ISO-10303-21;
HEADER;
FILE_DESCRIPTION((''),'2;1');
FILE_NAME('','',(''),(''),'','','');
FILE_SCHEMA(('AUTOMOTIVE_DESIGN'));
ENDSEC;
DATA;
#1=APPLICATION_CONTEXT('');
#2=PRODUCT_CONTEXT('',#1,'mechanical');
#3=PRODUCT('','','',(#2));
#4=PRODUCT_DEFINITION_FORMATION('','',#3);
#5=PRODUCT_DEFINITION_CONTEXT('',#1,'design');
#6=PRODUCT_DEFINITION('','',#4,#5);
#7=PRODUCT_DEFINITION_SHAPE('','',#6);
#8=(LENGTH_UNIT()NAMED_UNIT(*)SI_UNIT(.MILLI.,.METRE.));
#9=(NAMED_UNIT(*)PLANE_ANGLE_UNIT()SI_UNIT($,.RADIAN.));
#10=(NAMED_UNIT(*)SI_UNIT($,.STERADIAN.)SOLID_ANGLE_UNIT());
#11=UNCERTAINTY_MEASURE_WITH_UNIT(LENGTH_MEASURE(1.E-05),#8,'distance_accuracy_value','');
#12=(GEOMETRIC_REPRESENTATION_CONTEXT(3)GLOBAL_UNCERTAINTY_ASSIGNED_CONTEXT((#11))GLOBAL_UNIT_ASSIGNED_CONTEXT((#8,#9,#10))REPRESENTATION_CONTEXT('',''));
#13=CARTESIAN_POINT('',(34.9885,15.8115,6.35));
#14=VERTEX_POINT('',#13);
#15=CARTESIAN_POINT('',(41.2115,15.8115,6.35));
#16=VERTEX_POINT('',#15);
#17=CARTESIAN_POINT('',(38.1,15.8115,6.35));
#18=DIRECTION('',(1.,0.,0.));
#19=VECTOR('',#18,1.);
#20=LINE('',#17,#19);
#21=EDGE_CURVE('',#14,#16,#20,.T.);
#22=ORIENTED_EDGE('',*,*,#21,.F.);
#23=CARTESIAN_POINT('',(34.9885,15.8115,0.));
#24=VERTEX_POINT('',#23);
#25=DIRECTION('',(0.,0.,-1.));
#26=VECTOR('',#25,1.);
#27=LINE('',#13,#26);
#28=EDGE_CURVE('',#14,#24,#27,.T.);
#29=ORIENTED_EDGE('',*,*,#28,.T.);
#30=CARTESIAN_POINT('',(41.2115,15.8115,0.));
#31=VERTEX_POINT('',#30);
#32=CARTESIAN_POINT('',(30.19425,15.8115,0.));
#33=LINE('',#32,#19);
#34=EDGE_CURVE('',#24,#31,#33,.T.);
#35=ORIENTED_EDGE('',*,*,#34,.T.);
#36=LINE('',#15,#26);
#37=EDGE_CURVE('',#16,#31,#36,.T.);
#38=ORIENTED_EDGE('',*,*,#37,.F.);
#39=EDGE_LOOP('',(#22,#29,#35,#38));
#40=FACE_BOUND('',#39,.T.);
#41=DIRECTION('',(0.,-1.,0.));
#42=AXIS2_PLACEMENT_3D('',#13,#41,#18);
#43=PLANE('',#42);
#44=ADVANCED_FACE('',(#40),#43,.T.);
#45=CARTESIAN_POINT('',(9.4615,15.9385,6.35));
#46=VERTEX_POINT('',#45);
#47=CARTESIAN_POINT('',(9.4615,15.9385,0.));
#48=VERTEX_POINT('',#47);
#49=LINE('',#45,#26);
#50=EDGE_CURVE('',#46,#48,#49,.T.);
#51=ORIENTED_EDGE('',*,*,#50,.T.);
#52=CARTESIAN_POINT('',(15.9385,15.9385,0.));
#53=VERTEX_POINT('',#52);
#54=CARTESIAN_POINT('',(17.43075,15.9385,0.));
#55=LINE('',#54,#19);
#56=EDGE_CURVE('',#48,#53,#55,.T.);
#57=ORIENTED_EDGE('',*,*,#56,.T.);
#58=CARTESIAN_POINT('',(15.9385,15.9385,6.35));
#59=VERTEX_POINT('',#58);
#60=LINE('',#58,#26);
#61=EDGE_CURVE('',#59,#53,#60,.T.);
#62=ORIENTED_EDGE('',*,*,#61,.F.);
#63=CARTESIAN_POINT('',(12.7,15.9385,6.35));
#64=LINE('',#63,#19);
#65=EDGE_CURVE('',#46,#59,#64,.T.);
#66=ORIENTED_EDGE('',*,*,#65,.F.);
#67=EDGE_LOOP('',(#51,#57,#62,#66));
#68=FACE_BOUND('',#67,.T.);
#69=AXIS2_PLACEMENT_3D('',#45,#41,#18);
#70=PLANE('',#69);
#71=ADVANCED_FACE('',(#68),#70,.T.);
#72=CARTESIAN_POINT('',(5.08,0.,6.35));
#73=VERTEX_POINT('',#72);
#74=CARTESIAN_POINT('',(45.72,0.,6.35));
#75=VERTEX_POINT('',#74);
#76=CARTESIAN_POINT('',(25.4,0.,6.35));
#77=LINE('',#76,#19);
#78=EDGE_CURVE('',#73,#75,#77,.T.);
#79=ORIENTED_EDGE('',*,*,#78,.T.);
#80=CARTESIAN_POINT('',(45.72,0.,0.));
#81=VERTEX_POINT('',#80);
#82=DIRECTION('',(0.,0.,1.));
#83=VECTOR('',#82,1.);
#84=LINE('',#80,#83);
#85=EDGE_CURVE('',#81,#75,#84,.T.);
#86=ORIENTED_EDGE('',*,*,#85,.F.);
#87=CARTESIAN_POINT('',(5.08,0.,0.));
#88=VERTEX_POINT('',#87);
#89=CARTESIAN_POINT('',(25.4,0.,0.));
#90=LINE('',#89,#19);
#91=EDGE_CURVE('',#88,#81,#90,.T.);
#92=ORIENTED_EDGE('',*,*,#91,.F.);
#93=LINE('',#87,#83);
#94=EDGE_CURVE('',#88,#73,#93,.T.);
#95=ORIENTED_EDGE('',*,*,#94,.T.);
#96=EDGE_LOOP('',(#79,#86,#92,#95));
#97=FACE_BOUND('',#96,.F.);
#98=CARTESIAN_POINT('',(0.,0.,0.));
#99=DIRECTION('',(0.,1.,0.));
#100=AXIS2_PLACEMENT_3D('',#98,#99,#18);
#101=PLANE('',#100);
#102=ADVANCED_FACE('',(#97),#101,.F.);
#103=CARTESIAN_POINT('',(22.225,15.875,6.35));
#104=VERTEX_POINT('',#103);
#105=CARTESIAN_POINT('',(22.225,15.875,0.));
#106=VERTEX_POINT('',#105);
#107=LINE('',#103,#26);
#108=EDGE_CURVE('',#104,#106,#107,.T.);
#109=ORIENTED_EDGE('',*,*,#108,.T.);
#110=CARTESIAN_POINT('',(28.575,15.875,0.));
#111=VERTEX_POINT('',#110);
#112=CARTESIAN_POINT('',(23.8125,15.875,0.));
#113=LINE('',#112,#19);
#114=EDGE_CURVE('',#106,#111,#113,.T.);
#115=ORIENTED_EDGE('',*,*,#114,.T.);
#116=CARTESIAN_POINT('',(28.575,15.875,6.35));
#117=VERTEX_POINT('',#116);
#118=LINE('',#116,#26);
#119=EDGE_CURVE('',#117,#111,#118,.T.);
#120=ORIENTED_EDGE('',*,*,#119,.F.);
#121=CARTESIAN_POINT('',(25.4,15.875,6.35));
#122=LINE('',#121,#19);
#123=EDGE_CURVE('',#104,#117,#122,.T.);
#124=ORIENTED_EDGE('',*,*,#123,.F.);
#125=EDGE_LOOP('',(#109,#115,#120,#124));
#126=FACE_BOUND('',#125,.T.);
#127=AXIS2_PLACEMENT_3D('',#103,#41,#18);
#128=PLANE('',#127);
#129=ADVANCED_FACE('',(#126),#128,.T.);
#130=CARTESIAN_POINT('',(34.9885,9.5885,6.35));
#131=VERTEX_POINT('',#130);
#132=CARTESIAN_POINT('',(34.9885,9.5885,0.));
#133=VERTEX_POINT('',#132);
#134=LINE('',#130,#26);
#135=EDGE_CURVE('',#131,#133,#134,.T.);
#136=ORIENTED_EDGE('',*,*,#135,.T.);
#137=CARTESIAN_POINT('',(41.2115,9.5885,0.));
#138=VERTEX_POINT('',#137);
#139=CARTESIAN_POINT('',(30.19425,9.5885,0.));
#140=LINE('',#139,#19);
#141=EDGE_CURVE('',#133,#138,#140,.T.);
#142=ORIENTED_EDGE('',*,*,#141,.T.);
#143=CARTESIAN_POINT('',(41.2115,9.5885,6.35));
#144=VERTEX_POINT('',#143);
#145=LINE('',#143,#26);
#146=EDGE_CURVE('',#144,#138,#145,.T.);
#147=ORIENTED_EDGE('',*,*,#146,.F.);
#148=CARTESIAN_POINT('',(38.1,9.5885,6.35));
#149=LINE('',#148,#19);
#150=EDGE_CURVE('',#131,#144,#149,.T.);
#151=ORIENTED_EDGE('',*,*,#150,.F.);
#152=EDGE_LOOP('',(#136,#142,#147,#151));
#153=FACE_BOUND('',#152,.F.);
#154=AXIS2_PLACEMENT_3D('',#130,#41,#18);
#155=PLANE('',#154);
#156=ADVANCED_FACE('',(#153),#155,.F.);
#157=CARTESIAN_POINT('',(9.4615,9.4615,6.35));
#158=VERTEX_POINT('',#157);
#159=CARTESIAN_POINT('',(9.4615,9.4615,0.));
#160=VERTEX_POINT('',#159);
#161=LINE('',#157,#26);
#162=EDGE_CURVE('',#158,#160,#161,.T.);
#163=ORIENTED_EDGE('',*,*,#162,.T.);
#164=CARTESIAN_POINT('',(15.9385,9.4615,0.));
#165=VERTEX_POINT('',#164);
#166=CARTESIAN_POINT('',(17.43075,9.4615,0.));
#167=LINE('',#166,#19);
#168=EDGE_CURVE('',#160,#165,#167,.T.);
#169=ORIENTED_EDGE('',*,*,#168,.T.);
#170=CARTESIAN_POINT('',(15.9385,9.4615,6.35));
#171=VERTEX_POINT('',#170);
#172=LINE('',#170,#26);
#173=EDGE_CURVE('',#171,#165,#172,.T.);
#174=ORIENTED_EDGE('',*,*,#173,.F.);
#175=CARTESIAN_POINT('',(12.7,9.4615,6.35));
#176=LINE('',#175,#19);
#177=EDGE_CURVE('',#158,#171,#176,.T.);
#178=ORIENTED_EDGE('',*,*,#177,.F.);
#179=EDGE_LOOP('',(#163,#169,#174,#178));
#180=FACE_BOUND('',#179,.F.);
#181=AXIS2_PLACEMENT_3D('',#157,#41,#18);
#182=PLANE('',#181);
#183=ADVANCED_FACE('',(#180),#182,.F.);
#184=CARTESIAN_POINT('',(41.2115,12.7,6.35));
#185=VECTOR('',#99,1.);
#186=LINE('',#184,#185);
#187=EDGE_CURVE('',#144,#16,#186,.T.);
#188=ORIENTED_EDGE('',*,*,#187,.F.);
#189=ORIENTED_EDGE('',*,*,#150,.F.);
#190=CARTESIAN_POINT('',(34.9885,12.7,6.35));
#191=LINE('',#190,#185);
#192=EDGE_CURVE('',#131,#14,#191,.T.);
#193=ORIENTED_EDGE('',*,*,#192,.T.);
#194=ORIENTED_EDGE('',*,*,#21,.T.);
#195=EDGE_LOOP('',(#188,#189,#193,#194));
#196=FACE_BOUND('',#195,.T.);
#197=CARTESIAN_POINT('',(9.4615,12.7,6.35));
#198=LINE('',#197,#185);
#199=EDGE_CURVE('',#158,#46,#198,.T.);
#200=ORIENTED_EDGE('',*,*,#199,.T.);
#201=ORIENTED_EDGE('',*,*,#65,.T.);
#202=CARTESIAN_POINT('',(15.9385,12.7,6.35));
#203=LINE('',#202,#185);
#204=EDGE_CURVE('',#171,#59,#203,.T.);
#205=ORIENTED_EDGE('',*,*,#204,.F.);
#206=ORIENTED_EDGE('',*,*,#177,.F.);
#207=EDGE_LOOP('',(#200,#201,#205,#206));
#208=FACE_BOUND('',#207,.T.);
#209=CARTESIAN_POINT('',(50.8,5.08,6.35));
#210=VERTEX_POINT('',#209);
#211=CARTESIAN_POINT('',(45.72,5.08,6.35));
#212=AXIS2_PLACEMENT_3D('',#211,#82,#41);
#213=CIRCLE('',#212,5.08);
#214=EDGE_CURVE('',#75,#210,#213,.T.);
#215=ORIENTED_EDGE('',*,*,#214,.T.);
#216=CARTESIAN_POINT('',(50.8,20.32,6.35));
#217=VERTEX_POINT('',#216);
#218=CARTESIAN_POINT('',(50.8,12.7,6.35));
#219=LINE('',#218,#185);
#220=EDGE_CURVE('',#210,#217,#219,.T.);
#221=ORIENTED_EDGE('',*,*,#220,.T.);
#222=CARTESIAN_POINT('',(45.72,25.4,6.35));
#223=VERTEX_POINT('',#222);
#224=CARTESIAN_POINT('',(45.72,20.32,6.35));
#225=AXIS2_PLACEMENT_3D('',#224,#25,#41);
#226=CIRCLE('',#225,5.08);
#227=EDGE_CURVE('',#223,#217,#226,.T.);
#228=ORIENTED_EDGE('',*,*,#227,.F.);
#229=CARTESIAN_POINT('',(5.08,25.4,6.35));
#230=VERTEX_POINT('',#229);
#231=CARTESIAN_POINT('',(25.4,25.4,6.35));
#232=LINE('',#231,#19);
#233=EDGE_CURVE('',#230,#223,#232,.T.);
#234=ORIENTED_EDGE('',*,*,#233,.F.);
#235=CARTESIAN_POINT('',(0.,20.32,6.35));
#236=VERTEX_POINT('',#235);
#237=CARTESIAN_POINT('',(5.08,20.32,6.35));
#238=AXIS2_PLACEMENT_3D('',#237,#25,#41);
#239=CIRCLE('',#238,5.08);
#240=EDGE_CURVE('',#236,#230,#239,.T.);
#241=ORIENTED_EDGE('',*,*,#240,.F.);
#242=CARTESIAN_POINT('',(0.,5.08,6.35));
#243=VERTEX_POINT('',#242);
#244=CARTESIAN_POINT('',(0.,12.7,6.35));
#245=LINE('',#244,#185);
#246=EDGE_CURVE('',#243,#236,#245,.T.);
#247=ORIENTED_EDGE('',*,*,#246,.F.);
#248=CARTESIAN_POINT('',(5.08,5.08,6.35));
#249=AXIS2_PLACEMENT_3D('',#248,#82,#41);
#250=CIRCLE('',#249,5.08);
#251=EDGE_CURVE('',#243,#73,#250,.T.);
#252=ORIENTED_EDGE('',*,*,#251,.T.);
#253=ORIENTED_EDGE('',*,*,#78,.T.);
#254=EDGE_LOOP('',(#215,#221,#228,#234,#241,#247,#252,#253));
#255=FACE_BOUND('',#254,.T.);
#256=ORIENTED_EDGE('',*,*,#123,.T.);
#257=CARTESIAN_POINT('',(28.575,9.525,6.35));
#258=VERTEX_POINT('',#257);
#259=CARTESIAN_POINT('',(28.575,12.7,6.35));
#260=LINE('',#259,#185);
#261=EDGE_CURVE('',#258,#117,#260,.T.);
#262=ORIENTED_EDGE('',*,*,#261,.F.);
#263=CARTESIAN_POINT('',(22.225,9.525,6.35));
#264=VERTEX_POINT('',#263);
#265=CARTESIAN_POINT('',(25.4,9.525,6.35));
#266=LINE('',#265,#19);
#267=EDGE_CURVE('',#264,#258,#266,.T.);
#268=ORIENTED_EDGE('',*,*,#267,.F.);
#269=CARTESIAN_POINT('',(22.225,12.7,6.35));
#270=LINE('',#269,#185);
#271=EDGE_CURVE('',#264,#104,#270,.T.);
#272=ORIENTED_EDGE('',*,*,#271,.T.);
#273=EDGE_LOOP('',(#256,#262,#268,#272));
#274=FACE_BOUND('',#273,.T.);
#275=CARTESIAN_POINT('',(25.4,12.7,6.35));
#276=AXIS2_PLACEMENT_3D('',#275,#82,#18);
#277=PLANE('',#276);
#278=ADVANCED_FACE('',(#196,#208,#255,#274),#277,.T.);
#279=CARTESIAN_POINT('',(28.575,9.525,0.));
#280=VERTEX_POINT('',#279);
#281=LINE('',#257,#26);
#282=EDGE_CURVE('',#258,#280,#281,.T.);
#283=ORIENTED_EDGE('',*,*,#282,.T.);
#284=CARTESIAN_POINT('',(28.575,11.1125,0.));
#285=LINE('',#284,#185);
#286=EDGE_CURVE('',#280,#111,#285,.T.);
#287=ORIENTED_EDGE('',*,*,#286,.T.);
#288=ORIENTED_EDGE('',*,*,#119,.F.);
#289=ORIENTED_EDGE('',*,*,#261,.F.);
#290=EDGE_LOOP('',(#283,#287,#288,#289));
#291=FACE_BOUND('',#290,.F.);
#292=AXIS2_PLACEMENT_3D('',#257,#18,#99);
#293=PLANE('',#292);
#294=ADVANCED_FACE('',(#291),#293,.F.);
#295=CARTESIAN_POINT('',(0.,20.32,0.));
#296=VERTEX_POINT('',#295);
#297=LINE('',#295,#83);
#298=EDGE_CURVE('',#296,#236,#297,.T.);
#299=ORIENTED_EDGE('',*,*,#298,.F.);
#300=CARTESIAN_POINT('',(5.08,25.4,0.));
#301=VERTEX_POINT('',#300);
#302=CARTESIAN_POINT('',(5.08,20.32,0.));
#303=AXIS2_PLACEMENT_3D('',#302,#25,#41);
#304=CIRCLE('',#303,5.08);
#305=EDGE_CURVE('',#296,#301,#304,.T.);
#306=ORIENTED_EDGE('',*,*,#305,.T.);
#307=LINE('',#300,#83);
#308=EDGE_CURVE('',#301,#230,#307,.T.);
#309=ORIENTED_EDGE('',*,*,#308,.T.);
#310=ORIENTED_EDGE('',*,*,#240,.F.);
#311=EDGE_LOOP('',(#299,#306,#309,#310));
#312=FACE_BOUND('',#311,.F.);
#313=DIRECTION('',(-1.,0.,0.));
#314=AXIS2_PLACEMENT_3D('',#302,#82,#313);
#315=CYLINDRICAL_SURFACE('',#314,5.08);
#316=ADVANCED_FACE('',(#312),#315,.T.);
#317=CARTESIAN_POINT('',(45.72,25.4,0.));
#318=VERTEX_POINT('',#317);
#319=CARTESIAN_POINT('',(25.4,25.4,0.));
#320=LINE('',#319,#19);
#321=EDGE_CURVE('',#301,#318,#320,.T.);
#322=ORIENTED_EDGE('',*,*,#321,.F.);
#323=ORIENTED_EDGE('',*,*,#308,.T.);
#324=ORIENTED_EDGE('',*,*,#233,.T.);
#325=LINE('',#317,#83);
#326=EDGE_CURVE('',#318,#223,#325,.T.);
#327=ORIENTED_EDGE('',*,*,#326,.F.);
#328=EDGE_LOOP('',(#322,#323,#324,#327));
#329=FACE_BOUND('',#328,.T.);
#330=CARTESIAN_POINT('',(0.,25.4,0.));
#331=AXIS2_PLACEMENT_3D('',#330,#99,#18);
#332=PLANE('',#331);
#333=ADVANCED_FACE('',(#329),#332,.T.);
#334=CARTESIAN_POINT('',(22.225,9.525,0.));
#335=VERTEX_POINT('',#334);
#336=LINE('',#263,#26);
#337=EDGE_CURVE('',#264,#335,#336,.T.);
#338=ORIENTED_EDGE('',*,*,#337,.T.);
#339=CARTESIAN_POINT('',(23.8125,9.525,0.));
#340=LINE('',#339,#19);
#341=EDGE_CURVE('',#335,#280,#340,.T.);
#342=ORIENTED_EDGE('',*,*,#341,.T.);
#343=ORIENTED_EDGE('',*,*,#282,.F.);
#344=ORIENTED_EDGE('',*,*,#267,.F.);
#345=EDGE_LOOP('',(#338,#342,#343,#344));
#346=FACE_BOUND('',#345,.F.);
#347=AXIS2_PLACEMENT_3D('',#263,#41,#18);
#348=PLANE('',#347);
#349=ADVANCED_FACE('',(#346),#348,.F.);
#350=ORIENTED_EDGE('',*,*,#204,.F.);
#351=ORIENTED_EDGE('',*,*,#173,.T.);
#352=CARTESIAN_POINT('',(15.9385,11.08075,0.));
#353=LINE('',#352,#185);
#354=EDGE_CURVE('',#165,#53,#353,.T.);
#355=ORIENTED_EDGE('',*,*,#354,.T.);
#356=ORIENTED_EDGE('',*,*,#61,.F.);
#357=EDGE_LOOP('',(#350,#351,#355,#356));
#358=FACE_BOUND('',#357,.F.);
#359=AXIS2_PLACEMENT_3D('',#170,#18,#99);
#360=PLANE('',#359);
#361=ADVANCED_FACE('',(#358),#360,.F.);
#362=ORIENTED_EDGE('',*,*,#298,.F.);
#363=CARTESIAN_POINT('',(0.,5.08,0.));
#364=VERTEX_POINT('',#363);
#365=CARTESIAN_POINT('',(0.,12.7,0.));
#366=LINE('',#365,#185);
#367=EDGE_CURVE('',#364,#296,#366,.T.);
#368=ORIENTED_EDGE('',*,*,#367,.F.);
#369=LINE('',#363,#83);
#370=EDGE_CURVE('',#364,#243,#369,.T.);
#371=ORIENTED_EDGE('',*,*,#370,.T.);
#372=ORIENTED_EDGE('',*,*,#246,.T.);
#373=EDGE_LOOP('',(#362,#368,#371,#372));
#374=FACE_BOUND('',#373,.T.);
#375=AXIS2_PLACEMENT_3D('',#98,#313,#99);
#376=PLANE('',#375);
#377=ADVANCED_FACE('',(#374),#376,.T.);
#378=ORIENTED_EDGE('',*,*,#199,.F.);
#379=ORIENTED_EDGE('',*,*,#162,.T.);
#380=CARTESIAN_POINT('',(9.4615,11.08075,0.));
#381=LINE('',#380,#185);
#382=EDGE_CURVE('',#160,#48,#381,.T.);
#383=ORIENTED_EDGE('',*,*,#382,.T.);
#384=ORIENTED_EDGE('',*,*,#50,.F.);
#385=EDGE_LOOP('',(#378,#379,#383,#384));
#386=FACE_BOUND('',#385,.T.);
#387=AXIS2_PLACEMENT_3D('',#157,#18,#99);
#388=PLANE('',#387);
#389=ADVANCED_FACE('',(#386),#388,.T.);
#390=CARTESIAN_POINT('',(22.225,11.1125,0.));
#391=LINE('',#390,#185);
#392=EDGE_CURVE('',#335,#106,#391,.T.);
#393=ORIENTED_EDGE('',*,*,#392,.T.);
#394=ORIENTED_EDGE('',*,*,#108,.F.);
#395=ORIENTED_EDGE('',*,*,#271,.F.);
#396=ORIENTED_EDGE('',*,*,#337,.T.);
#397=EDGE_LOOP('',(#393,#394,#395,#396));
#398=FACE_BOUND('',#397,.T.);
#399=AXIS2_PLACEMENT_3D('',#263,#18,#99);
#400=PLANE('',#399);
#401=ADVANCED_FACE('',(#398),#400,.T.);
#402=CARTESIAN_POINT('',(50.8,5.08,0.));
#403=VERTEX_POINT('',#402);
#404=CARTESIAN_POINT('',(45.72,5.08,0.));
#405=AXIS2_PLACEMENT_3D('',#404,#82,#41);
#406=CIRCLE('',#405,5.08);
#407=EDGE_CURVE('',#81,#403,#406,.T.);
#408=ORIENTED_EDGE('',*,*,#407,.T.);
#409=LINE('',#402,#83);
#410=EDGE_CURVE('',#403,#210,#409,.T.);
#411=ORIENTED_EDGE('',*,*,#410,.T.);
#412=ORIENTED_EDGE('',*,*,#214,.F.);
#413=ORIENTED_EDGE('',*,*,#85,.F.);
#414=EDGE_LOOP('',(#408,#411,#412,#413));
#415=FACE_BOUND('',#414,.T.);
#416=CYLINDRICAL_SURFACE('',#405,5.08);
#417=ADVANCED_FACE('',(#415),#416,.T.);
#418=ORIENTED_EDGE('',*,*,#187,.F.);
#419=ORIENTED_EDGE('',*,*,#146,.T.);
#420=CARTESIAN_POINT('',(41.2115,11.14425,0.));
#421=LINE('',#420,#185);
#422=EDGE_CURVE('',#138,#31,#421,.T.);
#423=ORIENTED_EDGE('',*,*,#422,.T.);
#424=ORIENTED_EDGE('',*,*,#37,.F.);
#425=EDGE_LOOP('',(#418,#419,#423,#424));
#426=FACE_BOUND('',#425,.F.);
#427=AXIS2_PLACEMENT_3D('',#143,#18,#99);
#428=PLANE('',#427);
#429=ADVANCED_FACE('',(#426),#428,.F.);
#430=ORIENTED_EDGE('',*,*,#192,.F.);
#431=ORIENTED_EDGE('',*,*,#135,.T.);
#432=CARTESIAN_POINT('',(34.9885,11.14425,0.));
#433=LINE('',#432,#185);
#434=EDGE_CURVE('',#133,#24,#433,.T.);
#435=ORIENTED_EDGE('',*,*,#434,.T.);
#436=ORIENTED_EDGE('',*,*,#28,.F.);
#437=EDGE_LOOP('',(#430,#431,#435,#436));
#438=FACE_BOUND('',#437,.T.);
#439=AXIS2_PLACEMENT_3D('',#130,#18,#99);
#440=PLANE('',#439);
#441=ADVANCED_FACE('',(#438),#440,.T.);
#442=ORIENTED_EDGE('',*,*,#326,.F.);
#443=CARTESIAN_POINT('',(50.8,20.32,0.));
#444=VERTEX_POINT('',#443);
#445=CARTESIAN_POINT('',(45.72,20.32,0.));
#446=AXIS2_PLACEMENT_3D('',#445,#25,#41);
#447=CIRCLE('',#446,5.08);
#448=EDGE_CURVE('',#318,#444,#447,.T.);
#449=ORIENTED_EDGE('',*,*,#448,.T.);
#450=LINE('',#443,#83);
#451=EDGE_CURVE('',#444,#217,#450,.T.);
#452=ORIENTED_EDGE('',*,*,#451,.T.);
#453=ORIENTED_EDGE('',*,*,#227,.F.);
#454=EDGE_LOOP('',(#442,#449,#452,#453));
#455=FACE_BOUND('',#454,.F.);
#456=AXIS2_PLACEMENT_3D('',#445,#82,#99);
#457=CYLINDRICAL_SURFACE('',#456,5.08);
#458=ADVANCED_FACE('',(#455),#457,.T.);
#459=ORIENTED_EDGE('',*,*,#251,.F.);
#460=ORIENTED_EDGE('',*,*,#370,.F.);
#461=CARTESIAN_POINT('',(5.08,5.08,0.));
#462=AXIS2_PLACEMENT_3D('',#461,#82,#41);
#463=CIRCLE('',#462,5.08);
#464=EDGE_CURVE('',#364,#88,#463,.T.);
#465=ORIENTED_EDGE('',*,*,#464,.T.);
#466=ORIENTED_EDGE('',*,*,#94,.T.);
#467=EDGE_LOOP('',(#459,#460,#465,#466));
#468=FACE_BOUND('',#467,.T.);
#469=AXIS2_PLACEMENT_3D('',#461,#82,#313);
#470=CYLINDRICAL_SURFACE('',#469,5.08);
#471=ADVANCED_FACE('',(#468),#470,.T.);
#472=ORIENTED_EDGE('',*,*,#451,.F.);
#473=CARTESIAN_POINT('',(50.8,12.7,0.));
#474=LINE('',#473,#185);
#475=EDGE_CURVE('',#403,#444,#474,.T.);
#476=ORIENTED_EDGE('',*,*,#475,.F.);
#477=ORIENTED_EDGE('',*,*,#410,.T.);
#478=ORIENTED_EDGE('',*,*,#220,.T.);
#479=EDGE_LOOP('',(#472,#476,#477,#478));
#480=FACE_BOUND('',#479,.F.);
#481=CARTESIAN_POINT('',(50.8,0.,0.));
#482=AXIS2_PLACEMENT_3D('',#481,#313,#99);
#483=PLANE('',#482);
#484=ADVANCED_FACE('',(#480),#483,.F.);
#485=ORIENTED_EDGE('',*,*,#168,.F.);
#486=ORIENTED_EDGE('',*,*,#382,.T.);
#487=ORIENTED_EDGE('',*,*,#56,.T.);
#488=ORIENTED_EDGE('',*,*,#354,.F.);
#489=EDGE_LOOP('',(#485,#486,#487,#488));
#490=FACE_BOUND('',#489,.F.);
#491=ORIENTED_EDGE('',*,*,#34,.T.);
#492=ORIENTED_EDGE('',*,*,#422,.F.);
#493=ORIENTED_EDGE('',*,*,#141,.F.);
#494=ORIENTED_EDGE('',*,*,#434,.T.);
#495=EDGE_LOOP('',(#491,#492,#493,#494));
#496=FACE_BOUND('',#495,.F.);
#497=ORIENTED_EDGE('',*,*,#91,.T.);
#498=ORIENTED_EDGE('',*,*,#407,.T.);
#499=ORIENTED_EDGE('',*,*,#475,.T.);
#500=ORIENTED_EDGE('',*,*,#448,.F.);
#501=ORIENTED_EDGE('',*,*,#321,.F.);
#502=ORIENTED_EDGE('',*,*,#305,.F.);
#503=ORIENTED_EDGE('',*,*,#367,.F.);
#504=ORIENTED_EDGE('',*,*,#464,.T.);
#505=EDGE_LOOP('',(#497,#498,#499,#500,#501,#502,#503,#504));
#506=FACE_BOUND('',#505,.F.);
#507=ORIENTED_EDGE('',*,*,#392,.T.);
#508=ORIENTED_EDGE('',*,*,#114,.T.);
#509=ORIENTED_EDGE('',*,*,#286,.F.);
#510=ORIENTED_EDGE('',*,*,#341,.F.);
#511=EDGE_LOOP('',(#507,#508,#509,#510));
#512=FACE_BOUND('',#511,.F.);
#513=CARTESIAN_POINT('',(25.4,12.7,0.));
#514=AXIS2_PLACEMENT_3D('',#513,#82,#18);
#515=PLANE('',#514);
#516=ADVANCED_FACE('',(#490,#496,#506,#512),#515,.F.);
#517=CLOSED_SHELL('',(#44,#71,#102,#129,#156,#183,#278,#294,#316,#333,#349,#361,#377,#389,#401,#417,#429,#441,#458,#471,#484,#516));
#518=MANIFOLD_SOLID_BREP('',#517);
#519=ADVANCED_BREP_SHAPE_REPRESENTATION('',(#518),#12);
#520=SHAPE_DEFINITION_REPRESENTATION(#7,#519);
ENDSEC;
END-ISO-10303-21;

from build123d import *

# Parameters (mm, degrees)
F0_W     = 50.8
F0_H     = 25.4
F1_DEPTH = 6.35
F2_W     = 6.477
F2_H     = 6.477
F2_W_2   = 6.35
F2_H_2   = 6.35
F2_W_3   = 6.223
F2_H_3   = 6.223
F3_DEPTH = 25.4
F4_R     = 5.08


with BuildPart() as f1:
    # F0 (on Top) → F1 (new body)
    with BuildSketch(Plane.XY):
        with Locations((25.4, 12.7)):
            Rectangle(F0_W, F0_H)
    extrude(amount=F1_DEPTH)

    # F2 (on face) → F3 (cut)
    with BuildSketch(Plane.XY.offset(6.35)):
        with Locations((12.7, 12.7)):
            Rectangle(F2_W, F2_H)
        with Locations((25.4, 12.7)):
            Rectangle(F2_W_2, F2_H_2)
        with Locations((38.1, 12.7)):
            Rectangle(F2_W_3, F2_H_3)
    extrude(amount=-F3_DEPTH, mode=Mode.SUBTRACT)

    # F4
    f4_edges = [f1.edges().sort_by_distance(p)[0] for p in [
        (0, 25.4, 3.175),
        (0, 0, 3.175),
        (50.8, 25.4, 3.175),
        (50.8, 0, 3.175),
    ]]
    fillet(f4_edges, radius=F4_R)


solid = f1.part
